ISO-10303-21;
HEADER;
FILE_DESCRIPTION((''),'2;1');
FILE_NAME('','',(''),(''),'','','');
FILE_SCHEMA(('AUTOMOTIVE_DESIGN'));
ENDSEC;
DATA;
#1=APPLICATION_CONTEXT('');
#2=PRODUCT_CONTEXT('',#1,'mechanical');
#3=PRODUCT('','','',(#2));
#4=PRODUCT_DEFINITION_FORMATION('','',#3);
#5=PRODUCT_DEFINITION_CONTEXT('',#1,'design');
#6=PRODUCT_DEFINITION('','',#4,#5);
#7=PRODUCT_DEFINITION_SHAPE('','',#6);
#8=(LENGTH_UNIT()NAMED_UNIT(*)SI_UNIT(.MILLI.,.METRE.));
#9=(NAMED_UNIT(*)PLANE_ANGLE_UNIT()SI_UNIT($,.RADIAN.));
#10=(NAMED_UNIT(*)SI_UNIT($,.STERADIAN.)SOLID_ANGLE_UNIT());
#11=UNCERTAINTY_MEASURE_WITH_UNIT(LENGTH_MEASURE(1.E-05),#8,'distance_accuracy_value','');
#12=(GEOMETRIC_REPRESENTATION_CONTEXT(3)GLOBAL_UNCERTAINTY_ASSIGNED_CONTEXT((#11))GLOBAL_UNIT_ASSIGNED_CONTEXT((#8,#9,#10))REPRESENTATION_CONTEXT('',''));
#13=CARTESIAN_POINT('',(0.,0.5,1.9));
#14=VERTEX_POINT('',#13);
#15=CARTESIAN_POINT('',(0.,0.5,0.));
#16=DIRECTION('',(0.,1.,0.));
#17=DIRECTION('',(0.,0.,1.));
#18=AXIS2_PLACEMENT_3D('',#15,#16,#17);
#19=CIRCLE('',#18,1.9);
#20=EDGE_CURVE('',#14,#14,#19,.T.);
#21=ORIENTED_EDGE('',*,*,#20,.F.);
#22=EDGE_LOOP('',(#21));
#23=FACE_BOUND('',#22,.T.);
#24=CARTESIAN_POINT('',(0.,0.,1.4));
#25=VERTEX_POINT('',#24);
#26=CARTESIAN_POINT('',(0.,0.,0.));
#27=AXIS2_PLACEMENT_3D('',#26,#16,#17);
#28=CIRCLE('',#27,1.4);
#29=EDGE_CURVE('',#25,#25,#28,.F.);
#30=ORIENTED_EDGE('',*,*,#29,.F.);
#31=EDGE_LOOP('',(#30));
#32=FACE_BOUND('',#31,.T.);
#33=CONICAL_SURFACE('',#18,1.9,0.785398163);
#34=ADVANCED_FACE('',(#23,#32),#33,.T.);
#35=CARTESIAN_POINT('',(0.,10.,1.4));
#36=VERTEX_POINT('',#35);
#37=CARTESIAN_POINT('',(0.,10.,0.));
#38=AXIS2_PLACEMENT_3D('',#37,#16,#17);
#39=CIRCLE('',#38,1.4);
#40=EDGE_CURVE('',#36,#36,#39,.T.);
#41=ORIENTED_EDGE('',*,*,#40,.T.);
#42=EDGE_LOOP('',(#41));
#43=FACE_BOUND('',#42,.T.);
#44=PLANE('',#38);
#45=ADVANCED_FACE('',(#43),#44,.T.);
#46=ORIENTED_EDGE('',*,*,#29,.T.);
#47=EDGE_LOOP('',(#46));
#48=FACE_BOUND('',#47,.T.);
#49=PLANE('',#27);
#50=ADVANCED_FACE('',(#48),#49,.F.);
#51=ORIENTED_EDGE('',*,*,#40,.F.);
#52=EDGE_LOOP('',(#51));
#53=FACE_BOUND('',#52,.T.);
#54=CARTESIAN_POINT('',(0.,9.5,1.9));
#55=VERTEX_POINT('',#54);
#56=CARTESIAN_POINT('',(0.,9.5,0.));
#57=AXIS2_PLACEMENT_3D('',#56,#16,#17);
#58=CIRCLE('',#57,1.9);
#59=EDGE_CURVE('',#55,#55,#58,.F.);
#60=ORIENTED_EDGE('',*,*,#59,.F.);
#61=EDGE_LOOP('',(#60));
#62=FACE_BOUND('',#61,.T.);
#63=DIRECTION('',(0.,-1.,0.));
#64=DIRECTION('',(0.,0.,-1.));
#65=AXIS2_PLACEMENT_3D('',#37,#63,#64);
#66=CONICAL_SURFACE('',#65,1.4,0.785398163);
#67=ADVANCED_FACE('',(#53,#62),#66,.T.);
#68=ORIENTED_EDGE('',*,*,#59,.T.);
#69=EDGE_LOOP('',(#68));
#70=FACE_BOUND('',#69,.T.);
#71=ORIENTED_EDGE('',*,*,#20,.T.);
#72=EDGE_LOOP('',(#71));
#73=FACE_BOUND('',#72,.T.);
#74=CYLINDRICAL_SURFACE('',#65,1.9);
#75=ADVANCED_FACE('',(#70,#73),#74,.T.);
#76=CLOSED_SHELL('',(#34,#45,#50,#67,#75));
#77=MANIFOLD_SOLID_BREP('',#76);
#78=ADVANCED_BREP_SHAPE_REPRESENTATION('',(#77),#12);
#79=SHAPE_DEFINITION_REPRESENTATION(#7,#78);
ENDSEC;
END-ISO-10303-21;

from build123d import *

# Parameters (mm, degrees)
SKETCH1_R           = 1.9
BOSS_EXTRUDE1_DEPTH = 10
CHAMFER1_SIZE       = 0.5
CHAMFER2_SIZE       = 0.5


with BuildPart() as part:
    # Sketch1 → Boss-Extrude1 (new body)
    with BuildSketch(Plane(origin=(0, 0, 0), x_dir=(1, 0, 0), z_dir=(0, 1, 0))):
        with Locations(Location((0, 0, 0), (0, 0, 270))):
            Circle(SKETCH1_R)
    extrude(amount=BOSS_EXTRUDE1_DEPTH)

    # Chamfer1
    chamfer1_edges = [part.edges().sort_by_distance(p)[0] for p in [
        (0, 0, -1.9),
    ]]
    chamfer(chamfer1_edges, length=CHAMFER1_SIZE)

    # Chamfer2
    chamfer2_edges = [part.edges().sort_by_distance(p)[0] for p in [
        (0, 10, -1.9),
    ]]
    chamfer(chamfer2_edges, length=CHAMFER2_SIZE)


solid = part.part
